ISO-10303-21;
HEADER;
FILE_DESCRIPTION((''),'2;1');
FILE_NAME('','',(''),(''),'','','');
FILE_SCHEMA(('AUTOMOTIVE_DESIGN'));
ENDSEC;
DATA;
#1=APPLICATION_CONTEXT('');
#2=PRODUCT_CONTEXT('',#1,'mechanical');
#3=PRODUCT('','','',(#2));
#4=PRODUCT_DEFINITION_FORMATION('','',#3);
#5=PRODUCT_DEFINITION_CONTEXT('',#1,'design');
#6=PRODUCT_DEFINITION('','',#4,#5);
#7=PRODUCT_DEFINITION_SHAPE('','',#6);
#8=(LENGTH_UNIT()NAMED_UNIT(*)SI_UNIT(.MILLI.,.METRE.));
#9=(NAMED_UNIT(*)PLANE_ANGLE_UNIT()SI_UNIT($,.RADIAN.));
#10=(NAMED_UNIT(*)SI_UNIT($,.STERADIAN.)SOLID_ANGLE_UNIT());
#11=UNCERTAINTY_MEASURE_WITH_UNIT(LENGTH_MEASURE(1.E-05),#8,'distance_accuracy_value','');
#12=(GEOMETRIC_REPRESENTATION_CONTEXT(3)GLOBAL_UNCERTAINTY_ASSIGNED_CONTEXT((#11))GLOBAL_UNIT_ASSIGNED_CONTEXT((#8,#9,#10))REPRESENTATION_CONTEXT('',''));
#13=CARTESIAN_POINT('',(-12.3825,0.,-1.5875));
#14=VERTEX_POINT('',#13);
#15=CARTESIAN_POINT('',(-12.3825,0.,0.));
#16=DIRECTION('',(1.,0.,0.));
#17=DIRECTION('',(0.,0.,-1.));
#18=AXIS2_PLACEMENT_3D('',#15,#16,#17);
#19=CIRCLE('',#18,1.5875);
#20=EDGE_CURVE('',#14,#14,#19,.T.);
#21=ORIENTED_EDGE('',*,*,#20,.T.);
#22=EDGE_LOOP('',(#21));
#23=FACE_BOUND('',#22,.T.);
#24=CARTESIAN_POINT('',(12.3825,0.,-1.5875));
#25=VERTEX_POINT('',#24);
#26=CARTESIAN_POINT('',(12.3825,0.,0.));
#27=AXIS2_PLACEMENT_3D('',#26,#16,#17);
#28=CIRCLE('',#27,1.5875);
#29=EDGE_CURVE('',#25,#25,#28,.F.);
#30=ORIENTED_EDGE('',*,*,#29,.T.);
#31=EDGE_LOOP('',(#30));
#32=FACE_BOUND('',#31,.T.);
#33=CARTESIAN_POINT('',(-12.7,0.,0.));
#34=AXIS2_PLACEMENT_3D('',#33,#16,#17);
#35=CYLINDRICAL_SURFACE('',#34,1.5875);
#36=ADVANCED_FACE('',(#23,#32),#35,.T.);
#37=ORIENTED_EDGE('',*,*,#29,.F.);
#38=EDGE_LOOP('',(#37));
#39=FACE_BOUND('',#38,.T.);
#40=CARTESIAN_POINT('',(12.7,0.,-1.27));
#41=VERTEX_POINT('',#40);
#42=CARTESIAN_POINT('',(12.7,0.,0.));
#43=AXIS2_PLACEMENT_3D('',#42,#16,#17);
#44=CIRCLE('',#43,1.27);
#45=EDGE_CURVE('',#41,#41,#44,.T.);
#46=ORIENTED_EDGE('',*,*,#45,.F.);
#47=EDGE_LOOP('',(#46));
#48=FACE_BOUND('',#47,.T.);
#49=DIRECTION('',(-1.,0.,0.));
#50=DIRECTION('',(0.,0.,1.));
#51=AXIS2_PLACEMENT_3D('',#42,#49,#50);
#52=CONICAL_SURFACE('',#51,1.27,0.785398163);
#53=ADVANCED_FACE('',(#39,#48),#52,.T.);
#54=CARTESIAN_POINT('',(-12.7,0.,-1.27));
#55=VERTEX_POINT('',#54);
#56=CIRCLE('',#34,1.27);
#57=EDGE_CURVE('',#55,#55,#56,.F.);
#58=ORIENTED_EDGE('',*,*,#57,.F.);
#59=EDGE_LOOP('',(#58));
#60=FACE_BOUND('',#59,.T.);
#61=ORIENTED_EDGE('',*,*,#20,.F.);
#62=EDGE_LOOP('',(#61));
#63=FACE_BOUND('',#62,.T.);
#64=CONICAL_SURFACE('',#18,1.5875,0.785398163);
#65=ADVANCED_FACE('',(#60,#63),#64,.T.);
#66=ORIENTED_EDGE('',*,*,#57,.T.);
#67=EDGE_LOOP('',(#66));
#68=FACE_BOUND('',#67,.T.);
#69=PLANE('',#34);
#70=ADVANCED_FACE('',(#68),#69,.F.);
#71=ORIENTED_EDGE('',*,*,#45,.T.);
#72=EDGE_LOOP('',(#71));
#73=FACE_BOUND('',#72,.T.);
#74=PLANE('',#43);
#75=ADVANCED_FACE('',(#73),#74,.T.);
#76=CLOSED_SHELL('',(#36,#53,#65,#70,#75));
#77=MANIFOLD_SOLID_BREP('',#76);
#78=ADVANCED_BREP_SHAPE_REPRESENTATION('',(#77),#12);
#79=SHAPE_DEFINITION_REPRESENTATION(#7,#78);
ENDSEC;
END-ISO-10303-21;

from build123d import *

# Parameters (mm, degrees)
SKETCH2_R           = 1.5875
EXTRUDE1_DEPTH      = 12.7
EXTRUDE1_DEPTH_BACK = 12.7
CHAMFER1_SIZE       = 0.3175


with BuildPart() as part:
    # Sketch2 → Extrude1 (new body, two sides)
    with BuildSketch(Plane(origin=(0, 0, 0), x_dir=(0, 0, -1), z_dir=(1, 0, 0))) as extrude1_sk:
        Circle(SKETCH2_R)
    extrude(amount=EXTRUDE1_DEPTH)
    extrude(extrude1_sk.sketch, amount=-EXTRUDE1_DEPTH_BACK)

    # Chamfer1
    chamfer1_edges = [part.edges().sort_by_distance(p)[0] for p in [
        (-12.7, 0, 1.5875),
        (12.7, 0, 1.5875),
    ]]
    chamfer(chamfer1_edges, length=CHAMFER1_SIZE)


solid = part.part
